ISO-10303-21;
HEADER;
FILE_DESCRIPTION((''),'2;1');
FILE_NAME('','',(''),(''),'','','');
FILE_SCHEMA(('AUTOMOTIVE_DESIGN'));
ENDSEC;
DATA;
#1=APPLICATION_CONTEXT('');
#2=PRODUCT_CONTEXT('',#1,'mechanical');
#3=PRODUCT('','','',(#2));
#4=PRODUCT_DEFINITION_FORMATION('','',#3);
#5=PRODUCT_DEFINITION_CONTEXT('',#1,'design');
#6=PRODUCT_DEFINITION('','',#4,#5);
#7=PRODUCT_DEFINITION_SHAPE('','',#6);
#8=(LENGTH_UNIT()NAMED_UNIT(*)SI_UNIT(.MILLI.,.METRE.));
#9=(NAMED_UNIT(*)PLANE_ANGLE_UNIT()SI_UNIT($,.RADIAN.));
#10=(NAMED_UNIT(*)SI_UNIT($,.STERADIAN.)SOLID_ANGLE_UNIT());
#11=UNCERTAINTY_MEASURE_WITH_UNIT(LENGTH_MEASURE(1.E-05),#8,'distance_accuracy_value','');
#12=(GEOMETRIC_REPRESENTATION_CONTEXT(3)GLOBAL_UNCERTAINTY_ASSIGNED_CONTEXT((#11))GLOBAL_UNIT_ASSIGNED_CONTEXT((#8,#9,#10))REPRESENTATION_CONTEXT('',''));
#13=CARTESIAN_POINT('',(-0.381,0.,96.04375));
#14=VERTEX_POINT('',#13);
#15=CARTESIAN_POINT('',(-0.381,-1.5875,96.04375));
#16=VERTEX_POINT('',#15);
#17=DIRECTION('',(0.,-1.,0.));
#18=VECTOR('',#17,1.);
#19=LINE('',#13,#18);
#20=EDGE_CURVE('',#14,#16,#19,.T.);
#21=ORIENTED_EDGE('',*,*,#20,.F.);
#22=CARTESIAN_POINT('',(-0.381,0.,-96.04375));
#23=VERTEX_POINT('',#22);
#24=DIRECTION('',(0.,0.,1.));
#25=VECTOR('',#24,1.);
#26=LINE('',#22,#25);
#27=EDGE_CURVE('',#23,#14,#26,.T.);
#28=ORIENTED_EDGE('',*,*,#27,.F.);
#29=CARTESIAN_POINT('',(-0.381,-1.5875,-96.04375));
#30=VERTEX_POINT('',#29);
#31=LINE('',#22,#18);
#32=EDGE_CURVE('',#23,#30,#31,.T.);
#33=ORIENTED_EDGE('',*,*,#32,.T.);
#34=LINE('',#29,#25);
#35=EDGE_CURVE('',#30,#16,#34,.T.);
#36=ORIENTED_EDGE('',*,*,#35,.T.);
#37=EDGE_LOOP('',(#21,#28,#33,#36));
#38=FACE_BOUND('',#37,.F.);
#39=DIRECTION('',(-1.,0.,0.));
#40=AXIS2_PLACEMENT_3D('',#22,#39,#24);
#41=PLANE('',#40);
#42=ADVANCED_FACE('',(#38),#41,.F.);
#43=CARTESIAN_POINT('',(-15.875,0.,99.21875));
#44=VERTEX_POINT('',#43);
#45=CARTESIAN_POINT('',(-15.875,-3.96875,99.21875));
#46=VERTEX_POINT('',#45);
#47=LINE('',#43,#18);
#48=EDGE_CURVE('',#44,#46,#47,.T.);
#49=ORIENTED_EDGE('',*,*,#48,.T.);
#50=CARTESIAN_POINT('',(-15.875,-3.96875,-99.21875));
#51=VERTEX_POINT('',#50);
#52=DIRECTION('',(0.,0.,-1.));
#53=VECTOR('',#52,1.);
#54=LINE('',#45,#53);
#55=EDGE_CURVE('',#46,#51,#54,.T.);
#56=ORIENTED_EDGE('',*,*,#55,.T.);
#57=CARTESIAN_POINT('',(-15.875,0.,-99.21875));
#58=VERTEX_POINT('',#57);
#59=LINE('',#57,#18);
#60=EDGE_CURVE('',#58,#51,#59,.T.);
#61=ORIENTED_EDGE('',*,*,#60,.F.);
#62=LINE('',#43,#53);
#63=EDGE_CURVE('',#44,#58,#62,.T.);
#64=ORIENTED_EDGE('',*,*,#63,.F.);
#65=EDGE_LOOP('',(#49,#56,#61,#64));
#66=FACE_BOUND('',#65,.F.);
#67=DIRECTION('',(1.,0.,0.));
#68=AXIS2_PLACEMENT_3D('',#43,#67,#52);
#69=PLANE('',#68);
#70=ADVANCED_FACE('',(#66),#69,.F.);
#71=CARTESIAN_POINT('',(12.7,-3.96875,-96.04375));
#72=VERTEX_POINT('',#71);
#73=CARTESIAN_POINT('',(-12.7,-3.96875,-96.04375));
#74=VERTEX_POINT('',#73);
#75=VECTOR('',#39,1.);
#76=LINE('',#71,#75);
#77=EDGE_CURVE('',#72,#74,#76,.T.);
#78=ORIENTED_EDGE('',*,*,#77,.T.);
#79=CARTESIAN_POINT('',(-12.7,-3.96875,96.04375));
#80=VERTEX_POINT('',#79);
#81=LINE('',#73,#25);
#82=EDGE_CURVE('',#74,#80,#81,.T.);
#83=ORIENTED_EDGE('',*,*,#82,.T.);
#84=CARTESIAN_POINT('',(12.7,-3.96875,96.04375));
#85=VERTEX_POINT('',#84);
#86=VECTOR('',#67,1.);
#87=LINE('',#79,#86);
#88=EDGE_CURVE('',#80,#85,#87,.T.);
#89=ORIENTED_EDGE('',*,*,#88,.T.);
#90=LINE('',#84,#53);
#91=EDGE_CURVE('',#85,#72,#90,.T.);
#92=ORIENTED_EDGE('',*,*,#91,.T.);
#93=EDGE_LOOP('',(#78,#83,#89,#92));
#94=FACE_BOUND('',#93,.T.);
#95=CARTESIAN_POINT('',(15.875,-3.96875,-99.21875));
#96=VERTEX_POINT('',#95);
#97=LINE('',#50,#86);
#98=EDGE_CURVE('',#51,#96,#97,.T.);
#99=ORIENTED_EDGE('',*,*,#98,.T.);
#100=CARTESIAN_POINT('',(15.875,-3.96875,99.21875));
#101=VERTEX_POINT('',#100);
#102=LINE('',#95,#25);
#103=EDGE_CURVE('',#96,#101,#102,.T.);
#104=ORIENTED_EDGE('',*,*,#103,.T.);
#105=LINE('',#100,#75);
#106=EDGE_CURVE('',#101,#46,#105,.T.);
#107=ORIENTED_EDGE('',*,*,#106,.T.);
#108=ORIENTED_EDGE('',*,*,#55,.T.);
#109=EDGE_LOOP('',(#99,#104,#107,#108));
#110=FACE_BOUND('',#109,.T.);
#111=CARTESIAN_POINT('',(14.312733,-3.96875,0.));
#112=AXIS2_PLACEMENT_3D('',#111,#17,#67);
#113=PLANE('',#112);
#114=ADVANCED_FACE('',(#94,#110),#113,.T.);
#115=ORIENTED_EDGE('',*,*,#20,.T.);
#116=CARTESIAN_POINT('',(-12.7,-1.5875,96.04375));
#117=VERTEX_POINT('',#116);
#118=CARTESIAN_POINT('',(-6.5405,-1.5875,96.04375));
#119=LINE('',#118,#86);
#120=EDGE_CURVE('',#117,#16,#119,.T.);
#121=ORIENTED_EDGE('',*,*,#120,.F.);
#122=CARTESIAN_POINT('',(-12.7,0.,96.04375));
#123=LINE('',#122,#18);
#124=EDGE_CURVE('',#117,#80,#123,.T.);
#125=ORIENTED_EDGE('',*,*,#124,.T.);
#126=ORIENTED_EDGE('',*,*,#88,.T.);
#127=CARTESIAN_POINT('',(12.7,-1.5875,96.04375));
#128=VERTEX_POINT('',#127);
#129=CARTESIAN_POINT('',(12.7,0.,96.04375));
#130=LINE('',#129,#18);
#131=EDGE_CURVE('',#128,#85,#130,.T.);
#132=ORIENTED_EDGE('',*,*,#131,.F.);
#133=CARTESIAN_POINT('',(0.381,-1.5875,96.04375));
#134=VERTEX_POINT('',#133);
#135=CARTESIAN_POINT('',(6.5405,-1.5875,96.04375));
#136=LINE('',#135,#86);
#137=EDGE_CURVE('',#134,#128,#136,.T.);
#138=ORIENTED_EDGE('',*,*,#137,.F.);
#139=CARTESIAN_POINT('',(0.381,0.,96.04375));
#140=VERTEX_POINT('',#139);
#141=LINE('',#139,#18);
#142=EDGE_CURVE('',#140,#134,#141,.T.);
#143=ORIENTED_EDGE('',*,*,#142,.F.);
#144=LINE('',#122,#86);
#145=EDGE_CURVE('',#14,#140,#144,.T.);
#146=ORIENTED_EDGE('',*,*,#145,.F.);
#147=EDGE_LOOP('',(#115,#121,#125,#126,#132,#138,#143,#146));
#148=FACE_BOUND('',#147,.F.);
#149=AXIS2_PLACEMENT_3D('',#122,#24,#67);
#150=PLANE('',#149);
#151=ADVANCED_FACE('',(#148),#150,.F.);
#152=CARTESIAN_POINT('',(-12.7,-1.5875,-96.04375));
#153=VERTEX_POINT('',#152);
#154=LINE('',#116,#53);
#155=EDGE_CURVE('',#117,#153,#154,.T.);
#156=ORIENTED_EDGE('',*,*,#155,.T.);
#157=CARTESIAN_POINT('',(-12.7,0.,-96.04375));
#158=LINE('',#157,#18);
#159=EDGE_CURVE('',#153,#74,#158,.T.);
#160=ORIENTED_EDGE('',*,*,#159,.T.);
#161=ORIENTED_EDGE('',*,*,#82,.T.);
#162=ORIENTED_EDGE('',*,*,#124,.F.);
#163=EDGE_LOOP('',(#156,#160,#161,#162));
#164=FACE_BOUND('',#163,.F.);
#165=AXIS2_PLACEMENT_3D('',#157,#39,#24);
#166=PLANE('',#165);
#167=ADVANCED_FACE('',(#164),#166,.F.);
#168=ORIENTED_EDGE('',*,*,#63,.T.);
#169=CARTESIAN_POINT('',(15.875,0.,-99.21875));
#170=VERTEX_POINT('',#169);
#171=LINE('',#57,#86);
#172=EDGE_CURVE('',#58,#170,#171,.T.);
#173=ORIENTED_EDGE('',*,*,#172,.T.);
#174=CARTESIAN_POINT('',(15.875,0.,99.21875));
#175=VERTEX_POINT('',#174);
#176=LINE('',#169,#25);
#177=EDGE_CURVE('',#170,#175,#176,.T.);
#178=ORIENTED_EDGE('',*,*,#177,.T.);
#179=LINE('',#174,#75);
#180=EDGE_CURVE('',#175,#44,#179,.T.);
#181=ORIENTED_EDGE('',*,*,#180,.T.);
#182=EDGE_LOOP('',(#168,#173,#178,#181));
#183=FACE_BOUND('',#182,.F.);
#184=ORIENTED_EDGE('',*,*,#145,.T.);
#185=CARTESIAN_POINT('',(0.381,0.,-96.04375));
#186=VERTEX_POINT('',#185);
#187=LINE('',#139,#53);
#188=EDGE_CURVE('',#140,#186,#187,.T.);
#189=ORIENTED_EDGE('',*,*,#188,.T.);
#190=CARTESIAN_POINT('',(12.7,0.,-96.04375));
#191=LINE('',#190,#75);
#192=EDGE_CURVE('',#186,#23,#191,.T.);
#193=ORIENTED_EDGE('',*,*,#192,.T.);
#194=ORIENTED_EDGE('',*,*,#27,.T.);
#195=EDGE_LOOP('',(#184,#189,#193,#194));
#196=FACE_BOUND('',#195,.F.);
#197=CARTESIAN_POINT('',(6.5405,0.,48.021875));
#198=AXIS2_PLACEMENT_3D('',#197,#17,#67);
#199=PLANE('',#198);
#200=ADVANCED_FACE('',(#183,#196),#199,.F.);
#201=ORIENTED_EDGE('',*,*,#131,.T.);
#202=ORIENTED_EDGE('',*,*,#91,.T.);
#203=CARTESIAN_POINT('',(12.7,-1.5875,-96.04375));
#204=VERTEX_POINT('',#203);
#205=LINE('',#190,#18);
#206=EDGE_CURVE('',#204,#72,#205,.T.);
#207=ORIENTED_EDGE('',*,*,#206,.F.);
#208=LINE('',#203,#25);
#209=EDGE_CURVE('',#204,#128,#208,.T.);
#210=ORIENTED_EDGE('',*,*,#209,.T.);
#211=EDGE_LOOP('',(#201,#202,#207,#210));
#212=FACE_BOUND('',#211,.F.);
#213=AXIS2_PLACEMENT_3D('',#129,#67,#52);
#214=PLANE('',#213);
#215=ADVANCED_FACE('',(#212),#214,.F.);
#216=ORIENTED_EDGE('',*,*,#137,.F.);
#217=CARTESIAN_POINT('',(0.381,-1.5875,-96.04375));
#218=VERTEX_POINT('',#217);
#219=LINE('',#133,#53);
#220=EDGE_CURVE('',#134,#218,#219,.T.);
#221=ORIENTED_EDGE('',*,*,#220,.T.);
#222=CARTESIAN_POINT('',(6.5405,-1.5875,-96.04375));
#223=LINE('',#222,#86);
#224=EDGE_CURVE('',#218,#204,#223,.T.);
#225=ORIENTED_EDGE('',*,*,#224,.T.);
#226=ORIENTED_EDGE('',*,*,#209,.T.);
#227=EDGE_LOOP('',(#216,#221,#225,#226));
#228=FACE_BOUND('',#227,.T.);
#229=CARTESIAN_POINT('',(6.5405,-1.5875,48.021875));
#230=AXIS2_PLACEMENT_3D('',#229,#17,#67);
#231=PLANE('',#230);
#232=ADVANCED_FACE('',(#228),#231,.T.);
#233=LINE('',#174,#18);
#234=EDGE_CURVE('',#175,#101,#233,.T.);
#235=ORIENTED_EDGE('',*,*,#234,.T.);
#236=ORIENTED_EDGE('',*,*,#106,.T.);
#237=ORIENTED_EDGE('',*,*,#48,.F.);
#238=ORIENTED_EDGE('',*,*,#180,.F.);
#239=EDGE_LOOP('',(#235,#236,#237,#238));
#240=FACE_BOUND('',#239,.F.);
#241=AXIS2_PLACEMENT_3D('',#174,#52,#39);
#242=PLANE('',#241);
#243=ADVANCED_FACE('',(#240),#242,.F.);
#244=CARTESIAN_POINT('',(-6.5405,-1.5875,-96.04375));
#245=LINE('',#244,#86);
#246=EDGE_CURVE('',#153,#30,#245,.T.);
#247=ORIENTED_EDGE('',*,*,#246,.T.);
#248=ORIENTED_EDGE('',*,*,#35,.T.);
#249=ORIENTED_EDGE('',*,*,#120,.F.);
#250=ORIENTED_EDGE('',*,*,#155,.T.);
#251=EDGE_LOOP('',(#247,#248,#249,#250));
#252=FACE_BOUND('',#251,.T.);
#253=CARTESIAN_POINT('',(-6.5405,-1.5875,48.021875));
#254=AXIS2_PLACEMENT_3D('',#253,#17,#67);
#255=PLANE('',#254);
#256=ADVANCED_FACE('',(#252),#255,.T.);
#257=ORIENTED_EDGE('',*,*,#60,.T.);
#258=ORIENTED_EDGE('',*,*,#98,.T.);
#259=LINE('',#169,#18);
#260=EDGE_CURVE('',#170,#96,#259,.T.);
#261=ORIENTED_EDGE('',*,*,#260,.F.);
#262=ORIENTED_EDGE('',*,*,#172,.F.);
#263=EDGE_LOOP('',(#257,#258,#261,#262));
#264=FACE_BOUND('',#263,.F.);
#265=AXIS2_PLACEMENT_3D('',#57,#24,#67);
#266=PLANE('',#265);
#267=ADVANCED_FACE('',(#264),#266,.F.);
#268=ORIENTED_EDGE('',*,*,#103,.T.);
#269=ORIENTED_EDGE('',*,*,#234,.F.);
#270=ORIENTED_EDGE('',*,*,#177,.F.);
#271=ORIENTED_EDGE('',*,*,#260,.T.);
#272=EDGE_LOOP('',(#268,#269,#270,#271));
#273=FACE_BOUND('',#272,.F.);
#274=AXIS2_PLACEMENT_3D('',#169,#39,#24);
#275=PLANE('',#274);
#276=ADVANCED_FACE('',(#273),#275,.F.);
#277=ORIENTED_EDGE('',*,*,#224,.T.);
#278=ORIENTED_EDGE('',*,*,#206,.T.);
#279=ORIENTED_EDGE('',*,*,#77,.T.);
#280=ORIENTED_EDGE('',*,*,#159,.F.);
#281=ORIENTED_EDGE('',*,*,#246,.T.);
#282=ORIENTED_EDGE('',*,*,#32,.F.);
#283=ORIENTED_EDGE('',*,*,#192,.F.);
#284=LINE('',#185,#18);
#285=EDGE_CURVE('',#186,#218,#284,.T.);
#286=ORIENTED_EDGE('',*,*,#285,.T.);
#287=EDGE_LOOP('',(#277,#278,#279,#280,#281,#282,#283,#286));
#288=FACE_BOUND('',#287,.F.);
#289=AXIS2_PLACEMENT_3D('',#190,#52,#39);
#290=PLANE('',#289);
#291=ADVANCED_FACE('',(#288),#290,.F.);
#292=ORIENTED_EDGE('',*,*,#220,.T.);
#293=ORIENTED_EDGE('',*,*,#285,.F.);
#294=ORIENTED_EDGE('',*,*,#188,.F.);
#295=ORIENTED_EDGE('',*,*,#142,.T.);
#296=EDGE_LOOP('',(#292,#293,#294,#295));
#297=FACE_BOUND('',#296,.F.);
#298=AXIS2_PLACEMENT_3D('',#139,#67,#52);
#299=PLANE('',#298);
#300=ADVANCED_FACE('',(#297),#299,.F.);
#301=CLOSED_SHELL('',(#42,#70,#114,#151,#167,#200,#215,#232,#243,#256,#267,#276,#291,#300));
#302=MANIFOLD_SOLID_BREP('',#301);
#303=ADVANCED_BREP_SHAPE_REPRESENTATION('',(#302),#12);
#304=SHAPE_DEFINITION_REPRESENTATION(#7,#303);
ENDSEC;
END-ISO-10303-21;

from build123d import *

# Parameters (mm, degrees)
F1_DEPTH = 3.96875
F0_W     = 12.319
F0_H     = 96.04375
F2_DEPTH = 1.5875


with BuildPart() as f1:
    # F0 (on Front) → F1 (new body)
    with BuildSketch(Plane.XZ):
        Polygon((12.7, -96.04375), (15.875, -99.21875), (15.875, 99.21875), (12.7, 96.04375), (12.7, 0), align=None)
        Polygon((-15.875, -99.21875), (-12.7, -96.04375), (-12.7, 0), (-12.7, 96.04375), (-15.875, 99.21875), align=None)
        Polygon((-15.875, 99.21875), (-12.7, 96.04375), (-0.381, 96.04375), (0.381, 96.04375), (12.7, 96.04375), (15.875, 99.21875), align=None)
        Polygon((-0.381, -96.04375), (-12.7, -96.04375), (-15.875, -99.21875), (15.875, -99.21875), (12.7, -96.04375), (0.381, -96.04375), align=None)
    extrude(amount=F1_DEPTH)

    # F0 (on Front) → F2 (join)
    with BuildSketch(Plane.XZ):
        with Locations((6.5405, 48.021875)):
            Rectangle(F0_W, F0_H)
        with Locations((-6.5405, 48.021875)):
            Rectangle(F0_W, F0_H)
        with Locations((-6.5405, -48.021875)):
            Rectangle(F0_W, F0_H)
        with Locations((6.5405, -48.021875)):
            Rectangle(F0_W, F0_H)
    extrude(amount=F2_DEPTH)


solid = f1.part
